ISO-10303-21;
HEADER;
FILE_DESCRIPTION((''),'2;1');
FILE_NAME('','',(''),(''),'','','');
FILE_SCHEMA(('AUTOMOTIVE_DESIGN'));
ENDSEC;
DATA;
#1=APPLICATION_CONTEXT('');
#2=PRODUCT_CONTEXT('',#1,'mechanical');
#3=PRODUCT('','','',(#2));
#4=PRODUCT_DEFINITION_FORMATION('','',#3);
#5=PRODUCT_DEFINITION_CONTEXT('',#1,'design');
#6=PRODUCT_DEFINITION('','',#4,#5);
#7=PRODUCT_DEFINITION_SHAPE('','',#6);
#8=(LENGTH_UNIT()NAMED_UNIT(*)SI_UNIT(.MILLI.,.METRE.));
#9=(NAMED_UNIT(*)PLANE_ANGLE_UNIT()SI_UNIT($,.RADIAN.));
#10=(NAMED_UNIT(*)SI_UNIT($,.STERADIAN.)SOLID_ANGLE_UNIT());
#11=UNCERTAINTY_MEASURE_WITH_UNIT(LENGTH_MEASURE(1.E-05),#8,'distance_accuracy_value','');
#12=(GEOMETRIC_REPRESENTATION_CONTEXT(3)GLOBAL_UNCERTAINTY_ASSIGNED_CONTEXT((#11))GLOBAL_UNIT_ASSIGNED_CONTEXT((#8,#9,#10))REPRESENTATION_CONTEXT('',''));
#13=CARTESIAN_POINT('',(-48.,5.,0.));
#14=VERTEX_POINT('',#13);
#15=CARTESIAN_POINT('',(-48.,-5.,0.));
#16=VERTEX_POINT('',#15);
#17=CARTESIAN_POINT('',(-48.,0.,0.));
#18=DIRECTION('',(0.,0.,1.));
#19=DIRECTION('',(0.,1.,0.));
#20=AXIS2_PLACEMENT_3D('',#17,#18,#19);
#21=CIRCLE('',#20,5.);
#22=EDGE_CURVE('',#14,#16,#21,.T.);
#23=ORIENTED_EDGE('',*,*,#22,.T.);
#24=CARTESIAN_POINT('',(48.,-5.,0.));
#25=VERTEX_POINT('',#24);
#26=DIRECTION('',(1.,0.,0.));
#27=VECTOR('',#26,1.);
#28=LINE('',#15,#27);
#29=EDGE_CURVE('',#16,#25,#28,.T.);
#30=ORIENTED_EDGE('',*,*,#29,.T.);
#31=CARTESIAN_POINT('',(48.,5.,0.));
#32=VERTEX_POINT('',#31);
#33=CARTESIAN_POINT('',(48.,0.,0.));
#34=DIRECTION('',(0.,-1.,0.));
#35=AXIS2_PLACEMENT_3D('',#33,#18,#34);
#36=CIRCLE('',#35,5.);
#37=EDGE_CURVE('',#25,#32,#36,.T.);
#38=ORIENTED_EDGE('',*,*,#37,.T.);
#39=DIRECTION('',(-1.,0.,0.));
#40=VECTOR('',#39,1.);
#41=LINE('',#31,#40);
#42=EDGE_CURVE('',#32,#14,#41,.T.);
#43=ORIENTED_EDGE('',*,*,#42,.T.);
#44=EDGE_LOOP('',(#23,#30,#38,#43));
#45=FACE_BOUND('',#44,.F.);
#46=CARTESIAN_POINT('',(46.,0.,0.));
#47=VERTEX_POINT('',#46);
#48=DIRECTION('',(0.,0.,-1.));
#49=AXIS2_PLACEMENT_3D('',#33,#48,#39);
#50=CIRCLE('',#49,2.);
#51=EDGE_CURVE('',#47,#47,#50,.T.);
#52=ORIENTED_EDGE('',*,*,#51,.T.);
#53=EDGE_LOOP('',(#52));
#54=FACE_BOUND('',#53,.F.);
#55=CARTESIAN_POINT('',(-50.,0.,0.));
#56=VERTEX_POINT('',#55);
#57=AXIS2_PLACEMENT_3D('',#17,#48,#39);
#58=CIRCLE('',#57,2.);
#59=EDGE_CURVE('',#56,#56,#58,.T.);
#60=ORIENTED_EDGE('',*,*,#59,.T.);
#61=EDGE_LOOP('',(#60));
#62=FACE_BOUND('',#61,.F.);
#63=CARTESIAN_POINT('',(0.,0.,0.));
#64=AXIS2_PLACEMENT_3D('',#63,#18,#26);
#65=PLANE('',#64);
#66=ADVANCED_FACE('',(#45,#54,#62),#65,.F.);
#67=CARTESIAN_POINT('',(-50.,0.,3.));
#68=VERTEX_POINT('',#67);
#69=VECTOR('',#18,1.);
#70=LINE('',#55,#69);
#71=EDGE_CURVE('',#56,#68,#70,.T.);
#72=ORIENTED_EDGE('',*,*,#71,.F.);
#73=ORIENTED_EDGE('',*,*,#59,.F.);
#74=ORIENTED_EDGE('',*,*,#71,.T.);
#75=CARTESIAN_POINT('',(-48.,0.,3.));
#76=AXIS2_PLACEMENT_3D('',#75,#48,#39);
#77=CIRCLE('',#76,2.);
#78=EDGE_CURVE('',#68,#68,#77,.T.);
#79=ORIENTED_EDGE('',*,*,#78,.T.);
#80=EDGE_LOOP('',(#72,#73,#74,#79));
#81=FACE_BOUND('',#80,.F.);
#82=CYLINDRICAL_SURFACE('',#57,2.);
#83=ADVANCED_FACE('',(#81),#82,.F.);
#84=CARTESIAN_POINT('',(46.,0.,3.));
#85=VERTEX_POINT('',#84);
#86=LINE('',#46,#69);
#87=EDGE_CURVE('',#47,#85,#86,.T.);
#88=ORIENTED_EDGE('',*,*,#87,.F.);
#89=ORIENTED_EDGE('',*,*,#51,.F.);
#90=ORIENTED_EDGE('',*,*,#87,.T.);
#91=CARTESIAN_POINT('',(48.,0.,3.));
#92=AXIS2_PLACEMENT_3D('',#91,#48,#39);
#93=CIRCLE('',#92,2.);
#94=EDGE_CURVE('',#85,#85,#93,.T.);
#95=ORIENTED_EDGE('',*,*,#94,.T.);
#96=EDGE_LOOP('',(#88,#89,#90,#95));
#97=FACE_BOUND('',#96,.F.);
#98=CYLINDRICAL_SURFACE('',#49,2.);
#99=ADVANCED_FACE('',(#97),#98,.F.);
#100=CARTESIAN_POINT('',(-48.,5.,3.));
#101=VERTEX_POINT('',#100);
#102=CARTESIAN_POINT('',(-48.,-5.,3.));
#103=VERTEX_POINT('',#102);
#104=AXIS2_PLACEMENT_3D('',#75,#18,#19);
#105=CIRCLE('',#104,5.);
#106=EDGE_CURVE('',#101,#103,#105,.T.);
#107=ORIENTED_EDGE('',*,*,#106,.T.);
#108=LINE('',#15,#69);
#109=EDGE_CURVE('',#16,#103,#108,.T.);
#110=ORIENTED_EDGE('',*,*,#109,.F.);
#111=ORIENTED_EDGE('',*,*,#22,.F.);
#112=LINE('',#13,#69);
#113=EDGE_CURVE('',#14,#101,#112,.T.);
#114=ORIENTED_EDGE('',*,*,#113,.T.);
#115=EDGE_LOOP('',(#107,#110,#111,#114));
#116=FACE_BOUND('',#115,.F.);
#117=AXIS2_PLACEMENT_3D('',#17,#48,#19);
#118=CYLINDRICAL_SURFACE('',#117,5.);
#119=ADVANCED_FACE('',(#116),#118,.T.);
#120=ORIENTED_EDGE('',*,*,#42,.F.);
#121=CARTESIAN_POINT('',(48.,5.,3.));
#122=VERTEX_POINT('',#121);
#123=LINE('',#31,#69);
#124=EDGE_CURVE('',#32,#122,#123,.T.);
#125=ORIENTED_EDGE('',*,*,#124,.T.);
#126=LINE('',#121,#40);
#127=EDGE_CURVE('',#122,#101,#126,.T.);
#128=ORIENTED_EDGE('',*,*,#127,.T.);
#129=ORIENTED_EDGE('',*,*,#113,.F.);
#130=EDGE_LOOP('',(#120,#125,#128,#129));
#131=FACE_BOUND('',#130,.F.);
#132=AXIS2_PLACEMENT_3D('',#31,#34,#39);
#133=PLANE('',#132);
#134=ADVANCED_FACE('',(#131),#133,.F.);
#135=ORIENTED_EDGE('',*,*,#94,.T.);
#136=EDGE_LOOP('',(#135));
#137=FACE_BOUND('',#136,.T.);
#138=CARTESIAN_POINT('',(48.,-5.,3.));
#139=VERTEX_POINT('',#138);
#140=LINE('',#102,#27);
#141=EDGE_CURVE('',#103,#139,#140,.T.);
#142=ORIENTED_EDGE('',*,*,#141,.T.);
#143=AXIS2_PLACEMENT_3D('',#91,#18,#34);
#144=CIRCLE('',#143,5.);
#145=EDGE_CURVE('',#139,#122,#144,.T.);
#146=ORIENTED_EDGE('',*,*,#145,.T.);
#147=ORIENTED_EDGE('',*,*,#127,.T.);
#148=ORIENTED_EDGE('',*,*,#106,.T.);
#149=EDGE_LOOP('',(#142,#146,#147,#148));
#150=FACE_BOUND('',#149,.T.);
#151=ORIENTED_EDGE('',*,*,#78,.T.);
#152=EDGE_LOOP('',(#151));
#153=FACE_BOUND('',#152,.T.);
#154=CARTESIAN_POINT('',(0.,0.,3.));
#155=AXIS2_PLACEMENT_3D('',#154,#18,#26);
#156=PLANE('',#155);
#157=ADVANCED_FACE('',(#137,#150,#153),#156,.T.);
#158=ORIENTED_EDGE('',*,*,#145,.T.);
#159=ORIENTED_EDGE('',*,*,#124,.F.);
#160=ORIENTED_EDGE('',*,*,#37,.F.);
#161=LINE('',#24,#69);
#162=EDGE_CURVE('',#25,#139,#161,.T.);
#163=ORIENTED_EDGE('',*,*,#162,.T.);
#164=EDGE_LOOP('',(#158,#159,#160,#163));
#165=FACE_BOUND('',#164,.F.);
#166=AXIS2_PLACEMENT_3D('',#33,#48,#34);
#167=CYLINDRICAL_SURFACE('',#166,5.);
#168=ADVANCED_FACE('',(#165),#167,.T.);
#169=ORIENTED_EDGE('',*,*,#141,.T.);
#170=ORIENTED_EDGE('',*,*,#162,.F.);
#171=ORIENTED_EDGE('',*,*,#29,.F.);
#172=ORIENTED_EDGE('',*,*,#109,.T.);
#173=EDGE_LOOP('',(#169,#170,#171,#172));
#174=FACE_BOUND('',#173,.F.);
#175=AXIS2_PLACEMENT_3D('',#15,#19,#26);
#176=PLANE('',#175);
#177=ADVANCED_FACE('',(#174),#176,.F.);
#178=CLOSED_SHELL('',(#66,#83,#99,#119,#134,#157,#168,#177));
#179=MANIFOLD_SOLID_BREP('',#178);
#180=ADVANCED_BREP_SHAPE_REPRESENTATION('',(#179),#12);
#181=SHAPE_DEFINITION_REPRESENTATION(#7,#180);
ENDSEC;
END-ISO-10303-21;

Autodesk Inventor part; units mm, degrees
ref_plane "YZ Plane" through (0, 0, 0) normal (1, 0, 0) x (0, 1, 0)
ref_plane "XZ Plane" through (0, 0, 0) normal (0, 1, 0) x (-1, 0, 0)
ref_plane "XY Plane" through (0, 0, 0) normal (0, 0, 1) x (1, 0, 0)
sketch "草图1" plane through (0, 0, 0) normal (0, 0, 1) x (1, 0, 0)
  line L0 (-48, 0) -> (48, 0) construction
  line L1 (-48, -5) -> (48, -5)
  line L2 (48, 5) -> (-48, 5)
  arc A0 (-48, 5) -> (-48, -5) centre (-48, 0) ccw
  arc A1 (48, -5) -> (48, 5) centre (48, 0) ccw
  point P0 (0, 0)
  dimension "d1" = 96
  dimension "d4" = 10
extrude "拉伸1" add sketch "草图1" along normal blind 3
sketch "草图2" plane through (0, 0, 0) normal (0, 0, -1) x (-1, 0, 0)
  arc A0 (48, -5) -> (48, 5) centre (48, 0) ccw projected
  circle A1 centre (48, 0) radius 2
  line L0 (0, 0) -> (0, -18.0747)
  arc A2 (-48, 5) -> (-48, -5) centre (-48, 0) ccw
  circle A3 centre (-48, 0) radius 2
  dimension "d5" = 4
extrude "拉伸2" cut sketch "草图2" against normal blind 10
properties part number "连杆1"
